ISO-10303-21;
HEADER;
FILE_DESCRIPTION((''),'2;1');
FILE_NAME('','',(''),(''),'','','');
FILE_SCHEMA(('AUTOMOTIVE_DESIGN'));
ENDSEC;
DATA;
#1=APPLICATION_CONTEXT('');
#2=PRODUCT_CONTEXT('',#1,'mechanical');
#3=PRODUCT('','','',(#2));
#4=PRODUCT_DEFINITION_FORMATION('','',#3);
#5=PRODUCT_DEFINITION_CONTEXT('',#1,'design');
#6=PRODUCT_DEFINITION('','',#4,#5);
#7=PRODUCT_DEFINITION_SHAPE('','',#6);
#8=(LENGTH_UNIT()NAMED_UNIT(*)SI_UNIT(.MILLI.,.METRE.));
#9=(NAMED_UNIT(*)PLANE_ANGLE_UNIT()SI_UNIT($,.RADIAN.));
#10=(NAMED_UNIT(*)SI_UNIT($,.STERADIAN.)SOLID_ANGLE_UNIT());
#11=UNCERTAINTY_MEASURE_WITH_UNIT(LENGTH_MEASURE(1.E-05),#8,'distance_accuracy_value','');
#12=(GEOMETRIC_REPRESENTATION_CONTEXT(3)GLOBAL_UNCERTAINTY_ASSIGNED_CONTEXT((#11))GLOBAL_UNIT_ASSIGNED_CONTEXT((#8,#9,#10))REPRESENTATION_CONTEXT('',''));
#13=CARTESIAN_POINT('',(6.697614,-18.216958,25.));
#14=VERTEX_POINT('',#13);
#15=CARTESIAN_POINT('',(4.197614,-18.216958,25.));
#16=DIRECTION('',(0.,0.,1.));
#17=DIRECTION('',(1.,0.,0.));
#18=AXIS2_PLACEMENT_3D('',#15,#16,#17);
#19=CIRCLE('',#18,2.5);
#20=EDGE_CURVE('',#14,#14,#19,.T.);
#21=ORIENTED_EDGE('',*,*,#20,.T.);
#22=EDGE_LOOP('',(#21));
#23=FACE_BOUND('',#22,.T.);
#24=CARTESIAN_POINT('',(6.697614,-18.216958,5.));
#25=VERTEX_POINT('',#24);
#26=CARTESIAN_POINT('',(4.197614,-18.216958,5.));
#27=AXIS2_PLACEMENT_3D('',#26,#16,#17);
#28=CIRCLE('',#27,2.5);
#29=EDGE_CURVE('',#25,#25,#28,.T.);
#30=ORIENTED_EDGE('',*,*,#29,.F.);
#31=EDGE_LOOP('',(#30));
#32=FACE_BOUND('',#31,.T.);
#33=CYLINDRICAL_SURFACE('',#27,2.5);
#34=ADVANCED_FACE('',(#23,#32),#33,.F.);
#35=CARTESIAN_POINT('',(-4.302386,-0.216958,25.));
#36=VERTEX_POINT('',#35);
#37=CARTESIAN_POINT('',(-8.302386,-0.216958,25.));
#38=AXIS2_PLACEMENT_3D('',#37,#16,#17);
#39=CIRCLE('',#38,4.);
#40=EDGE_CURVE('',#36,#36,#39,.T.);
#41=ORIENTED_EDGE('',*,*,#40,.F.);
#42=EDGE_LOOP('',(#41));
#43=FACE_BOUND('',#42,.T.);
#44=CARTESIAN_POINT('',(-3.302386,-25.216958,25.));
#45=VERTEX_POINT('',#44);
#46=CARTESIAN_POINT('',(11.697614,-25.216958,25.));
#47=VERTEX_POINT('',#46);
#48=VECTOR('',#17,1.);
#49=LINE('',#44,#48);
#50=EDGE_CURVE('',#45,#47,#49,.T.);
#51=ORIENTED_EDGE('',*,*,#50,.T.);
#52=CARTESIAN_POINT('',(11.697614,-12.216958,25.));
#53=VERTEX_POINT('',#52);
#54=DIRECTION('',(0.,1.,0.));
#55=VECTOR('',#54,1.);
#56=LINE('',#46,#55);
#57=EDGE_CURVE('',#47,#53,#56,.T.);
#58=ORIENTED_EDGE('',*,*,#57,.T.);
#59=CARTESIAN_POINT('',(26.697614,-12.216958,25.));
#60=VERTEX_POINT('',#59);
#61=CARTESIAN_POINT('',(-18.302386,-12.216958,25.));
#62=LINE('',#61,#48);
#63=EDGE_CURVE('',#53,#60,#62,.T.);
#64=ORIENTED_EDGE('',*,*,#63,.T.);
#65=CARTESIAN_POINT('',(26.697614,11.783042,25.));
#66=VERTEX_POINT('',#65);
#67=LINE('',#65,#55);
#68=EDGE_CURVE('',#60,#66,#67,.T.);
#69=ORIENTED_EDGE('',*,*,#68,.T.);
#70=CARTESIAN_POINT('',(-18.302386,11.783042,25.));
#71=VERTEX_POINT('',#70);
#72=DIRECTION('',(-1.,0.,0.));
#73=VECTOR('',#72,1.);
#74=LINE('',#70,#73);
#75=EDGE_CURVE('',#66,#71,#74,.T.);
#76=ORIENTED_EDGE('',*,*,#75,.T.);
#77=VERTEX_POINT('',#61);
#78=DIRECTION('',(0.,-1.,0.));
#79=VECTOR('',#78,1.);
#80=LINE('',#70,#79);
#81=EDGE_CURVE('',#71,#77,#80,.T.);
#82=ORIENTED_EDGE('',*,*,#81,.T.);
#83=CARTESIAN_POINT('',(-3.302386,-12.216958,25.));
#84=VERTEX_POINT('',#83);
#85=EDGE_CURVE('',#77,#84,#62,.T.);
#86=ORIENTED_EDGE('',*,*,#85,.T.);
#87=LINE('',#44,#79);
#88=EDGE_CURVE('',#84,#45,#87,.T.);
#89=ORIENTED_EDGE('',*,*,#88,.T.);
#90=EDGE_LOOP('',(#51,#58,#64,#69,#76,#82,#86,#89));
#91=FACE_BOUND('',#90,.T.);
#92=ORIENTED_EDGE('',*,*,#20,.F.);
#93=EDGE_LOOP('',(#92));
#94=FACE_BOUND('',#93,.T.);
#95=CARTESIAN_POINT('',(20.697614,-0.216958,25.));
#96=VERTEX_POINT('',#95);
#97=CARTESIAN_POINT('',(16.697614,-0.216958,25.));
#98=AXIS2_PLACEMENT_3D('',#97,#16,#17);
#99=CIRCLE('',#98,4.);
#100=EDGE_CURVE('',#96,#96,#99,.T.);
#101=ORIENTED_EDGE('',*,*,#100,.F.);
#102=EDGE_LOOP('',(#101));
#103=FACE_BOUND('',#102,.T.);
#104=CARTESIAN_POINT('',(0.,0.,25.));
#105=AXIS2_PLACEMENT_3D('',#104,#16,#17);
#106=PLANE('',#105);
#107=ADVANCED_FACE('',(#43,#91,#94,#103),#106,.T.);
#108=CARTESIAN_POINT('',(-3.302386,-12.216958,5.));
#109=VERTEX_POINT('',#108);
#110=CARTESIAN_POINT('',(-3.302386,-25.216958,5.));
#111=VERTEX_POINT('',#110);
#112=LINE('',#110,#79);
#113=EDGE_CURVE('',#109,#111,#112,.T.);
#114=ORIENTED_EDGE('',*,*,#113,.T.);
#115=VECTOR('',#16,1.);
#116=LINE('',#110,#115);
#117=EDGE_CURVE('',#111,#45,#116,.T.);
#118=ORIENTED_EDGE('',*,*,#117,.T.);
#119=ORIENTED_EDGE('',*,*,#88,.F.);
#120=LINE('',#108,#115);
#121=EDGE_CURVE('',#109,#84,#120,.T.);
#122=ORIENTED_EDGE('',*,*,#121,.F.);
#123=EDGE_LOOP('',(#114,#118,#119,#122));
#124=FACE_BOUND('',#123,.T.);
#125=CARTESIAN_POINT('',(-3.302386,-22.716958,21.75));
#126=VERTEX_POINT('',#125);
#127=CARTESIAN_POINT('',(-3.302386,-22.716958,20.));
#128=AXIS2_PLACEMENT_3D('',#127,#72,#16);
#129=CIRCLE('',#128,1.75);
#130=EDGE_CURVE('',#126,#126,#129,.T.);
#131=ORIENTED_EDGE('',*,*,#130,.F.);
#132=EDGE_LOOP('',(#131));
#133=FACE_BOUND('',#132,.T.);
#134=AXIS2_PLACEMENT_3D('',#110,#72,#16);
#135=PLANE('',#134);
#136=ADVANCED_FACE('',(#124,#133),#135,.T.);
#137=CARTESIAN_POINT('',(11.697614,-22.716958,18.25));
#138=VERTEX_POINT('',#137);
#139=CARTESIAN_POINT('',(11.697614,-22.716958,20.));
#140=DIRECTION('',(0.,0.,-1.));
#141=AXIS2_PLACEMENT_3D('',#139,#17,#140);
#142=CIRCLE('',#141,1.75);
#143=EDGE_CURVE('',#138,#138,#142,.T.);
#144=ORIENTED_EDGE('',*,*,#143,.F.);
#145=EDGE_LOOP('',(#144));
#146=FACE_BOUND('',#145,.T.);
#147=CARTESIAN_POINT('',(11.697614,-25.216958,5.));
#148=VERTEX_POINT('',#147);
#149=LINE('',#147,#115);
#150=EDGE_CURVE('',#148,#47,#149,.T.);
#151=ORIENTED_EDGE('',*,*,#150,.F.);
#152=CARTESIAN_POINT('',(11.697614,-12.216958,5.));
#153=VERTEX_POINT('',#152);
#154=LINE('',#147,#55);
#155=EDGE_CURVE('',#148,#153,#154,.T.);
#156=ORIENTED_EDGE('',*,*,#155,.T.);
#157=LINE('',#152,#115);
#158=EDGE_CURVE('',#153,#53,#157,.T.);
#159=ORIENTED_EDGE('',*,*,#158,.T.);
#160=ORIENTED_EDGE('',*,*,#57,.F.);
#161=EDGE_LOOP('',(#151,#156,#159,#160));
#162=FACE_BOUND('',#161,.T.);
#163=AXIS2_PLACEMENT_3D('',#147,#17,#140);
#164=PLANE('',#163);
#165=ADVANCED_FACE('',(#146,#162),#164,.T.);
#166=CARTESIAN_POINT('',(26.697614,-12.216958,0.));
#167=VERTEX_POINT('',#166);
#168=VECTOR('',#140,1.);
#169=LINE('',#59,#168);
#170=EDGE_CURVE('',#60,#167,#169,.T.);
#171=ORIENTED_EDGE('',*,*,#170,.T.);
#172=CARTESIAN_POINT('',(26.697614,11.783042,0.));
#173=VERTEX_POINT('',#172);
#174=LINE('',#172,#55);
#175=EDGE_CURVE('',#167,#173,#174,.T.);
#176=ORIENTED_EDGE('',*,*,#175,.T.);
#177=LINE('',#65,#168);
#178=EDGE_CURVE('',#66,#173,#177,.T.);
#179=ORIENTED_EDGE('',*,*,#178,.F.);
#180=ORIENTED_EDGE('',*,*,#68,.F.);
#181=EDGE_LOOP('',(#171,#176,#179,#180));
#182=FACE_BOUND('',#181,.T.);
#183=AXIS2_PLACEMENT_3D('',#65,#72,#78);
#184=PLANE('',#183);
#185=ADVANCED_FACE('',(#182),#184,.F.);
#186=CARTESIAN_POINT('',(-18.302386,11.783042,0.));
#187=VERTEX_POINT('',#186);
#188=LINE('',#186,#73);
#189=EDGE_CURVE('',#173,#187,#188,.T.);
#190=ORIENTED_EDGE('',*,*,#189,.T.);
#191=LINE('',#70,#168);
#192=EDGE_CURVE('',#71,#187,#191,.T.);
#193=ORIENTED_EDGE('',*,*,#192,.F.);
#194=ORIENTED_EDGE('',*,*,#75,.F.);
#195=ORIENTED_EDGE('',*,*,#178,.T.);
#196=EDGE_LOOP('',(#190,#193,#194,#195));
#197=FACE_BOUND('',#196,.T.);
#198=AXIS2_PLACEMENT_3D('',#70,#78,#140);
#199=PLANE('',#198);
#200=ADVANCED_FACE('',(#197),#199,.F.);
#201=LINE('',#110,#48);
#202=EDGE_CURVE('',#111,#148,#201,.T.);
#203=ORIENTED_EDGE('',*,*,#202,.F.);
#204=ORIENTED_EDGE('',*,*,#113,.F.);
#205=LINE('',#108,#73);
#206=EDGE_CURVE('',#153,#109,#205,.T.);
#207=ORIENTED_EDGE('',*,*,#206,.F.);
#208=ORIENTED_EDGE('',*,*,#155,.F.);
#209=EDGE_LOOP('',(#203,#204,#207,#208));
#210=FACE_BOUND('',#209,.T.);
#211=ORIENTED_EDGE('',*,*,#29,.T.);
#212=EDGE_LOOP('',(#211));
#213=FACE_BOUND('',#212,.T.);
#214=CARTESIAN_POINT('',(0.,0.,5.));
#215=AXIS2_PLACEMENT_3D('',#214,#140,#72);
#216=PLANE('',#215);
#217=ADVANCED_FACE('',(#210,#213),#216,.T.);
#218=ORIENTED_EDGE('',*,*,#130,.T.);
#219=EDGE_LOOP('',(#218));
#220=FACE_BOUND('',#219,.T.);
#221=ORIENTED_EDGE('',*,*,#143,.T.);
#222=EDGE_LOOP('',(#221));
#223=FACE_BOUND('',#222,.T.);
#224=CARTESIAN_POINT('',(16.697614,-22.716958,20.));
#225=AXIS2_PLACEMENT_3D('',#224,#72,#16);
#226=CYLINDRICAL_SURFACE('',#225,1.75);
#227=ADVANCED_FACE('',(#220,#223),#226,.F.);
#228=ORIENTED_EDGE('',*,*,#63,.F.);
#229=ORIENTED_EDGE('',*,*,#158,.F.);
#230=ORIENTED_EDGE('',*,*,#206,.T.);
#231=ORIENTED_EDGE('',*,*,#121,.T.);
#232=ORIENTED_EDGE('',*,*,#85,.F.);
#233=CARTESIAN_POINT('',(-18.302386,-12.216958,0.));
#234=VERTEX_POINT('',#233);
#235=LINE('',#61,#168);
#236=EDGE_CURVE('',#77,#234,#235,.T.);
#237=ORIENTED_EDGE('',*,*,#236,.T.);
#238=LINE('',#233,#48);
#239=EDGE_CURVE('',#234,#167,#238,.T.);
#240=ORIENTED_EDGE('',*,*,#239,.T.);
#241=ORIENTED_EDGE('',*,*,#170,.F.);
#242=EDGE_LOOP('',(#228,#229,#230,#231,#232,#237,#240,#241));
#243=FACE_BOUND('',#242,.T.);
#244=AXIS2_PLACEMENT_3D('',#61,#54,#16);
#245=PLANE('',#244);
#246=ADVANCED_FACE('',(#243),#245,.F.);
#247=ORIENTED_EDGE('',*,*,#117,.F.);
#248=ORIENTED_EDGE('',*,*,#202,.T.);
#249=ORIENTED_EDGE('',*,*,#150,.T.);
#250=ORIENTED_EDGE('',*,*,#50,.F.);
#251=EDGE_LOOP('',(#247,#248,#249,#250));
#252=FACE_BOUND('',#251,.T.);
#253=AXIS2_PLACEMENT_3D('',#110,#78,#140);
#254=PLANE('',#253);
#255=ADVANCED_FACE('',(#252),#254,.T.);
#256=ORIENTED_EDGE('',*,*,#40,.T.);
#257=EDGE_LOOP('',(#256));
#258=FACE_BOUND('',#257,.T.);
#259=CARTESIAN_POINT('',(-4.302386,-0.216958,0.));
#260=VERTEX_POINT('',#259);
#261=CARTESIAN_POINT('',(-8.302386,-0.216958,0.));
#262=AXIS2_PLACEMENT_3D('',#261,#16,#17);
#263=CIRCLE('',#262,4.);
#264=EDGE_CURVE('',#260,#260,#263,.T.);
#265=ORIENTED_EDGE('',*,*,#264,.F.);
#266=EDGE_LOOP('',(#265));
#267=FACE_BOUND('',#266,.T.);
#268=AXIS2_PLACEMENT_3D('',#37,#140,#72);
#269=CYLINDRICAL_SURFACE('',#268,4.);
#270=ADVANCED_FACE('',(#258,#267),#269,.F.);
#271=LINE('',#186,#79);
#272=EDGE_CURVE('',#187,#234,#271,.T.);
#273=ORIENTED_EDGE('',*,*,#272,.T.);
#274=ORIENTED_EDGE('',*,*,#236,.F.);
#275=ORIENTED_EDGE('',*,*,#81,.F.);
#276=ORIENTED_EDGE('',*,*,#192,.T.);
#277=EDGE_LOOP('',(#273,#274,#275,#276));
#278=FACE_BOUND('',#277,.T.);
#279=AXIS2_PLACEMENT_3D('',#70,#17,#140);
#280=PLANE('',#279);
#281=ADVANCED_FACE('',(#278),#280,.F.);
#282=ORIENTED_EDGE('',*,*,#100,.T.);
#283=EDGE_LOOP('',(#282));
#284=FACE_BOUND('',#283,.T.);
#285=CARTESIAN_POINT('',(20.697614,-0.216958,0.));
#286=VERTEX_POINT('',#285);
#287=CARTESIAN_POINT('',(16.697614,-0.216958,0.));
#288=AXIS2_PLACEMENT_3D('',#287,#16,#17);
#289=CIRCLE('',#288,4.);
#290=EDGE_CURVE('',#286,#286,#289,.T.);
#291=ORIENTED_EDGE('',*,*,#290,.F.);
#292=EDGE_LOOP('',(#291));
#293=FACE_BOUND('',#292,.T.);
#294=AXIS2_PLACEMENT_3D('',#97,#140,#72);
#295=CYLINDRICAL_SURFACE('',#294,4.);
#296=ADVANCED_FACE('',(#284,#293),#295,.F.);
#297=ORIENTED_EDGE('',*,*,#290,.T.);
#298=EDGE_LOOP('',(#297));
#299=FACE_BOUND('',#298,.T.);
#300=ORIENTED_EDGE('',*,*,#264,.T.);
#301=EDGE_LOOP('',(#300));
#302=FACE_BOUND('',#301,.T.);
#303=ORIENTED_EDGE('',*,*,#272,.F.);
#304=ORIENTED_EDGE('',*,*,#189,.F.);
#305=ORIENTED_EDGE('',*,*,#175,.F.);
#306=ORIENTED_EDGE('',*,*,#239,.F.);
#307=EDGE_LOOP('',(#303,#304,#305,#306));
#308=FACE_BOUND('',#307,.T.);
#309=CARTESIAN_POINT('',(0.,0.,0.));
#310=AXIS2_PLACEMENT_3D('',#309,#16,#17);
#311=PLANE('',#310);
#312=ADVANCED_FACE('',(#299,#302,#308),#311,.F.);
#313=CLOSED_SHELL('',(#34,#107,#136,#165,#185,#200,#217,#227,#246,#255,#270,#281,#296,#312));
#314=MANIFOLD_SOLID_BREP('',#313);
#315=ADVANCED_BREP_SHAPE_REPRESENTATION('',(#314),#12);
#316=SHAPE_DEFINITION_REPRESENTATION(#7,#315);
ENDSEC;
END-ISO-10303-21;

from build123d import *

# Parameters (mm, degrees)
ESQUISSE1_W             = 45
ESQUISSE1_H             = 24
ESQUISSE1_R             = 4
BOSS_EXTRU_1_DEPTH      = 25
ESQUISSE2_W             = 15
ESQUISSE2_H             = 13
ESQUISSE2_R             = 2.5
BOSS_EXTRU_2_DEPTH      = 20
ESQUISSE3_R             = 1.75
ENL_V_MAT_EXTRU_1_DEPTH = 20


with BuildPart() as part:
    # Esquisse1 → Boss.-Extru.1 (new body)
    with BuildSketch(Plane.XY):
        with Locations((4.197614073, -0.216957606)):
            Rectangle(ESQUISSE1_W, ESQUISSE1_H)
        with Locations((-8.302385927, -0.216957606)):
            Circle(ESQUISSE1_R, mode=Mode.SUBTRACT)
        with Locations((16.697614073, -0.216957606)):
            Circle(ESQUISSE1_R, mode=Mode.SUBTRACT)
    extrude(amount=BOSS_EXTRU_1_DEPTH)

    # Esquisse2 → Boss.-Extru.2 (add)
    with BuildSketch(Plane.XY.offset(25)):
        with Locations((4.197614073, -18.716957606)):
            Rectangle(ESQUISSE2_W, ESQUISSE2_H)
        with Locations((4.197614073, -18.216957606)):
            Circle(ESQUISSE2_R, mode=Mode.SUBTRACT)
    extrude(amount=-BOSS_EXTRU_2_DEPTH)

    # Esquisse3 → Enlèv. mat.-Extru.1 (cut)
    with BuildSketch(Plane.ZY.offset(3.302385927)):
        with Locations((20, -22.716957606)):
            Circle(ESQUISSE3_R)
    extrude(amount=-ENL_V_MAT_EXTRU_1_DEPTH, mode=Mode.SUBTRACT)


solid = part.part
